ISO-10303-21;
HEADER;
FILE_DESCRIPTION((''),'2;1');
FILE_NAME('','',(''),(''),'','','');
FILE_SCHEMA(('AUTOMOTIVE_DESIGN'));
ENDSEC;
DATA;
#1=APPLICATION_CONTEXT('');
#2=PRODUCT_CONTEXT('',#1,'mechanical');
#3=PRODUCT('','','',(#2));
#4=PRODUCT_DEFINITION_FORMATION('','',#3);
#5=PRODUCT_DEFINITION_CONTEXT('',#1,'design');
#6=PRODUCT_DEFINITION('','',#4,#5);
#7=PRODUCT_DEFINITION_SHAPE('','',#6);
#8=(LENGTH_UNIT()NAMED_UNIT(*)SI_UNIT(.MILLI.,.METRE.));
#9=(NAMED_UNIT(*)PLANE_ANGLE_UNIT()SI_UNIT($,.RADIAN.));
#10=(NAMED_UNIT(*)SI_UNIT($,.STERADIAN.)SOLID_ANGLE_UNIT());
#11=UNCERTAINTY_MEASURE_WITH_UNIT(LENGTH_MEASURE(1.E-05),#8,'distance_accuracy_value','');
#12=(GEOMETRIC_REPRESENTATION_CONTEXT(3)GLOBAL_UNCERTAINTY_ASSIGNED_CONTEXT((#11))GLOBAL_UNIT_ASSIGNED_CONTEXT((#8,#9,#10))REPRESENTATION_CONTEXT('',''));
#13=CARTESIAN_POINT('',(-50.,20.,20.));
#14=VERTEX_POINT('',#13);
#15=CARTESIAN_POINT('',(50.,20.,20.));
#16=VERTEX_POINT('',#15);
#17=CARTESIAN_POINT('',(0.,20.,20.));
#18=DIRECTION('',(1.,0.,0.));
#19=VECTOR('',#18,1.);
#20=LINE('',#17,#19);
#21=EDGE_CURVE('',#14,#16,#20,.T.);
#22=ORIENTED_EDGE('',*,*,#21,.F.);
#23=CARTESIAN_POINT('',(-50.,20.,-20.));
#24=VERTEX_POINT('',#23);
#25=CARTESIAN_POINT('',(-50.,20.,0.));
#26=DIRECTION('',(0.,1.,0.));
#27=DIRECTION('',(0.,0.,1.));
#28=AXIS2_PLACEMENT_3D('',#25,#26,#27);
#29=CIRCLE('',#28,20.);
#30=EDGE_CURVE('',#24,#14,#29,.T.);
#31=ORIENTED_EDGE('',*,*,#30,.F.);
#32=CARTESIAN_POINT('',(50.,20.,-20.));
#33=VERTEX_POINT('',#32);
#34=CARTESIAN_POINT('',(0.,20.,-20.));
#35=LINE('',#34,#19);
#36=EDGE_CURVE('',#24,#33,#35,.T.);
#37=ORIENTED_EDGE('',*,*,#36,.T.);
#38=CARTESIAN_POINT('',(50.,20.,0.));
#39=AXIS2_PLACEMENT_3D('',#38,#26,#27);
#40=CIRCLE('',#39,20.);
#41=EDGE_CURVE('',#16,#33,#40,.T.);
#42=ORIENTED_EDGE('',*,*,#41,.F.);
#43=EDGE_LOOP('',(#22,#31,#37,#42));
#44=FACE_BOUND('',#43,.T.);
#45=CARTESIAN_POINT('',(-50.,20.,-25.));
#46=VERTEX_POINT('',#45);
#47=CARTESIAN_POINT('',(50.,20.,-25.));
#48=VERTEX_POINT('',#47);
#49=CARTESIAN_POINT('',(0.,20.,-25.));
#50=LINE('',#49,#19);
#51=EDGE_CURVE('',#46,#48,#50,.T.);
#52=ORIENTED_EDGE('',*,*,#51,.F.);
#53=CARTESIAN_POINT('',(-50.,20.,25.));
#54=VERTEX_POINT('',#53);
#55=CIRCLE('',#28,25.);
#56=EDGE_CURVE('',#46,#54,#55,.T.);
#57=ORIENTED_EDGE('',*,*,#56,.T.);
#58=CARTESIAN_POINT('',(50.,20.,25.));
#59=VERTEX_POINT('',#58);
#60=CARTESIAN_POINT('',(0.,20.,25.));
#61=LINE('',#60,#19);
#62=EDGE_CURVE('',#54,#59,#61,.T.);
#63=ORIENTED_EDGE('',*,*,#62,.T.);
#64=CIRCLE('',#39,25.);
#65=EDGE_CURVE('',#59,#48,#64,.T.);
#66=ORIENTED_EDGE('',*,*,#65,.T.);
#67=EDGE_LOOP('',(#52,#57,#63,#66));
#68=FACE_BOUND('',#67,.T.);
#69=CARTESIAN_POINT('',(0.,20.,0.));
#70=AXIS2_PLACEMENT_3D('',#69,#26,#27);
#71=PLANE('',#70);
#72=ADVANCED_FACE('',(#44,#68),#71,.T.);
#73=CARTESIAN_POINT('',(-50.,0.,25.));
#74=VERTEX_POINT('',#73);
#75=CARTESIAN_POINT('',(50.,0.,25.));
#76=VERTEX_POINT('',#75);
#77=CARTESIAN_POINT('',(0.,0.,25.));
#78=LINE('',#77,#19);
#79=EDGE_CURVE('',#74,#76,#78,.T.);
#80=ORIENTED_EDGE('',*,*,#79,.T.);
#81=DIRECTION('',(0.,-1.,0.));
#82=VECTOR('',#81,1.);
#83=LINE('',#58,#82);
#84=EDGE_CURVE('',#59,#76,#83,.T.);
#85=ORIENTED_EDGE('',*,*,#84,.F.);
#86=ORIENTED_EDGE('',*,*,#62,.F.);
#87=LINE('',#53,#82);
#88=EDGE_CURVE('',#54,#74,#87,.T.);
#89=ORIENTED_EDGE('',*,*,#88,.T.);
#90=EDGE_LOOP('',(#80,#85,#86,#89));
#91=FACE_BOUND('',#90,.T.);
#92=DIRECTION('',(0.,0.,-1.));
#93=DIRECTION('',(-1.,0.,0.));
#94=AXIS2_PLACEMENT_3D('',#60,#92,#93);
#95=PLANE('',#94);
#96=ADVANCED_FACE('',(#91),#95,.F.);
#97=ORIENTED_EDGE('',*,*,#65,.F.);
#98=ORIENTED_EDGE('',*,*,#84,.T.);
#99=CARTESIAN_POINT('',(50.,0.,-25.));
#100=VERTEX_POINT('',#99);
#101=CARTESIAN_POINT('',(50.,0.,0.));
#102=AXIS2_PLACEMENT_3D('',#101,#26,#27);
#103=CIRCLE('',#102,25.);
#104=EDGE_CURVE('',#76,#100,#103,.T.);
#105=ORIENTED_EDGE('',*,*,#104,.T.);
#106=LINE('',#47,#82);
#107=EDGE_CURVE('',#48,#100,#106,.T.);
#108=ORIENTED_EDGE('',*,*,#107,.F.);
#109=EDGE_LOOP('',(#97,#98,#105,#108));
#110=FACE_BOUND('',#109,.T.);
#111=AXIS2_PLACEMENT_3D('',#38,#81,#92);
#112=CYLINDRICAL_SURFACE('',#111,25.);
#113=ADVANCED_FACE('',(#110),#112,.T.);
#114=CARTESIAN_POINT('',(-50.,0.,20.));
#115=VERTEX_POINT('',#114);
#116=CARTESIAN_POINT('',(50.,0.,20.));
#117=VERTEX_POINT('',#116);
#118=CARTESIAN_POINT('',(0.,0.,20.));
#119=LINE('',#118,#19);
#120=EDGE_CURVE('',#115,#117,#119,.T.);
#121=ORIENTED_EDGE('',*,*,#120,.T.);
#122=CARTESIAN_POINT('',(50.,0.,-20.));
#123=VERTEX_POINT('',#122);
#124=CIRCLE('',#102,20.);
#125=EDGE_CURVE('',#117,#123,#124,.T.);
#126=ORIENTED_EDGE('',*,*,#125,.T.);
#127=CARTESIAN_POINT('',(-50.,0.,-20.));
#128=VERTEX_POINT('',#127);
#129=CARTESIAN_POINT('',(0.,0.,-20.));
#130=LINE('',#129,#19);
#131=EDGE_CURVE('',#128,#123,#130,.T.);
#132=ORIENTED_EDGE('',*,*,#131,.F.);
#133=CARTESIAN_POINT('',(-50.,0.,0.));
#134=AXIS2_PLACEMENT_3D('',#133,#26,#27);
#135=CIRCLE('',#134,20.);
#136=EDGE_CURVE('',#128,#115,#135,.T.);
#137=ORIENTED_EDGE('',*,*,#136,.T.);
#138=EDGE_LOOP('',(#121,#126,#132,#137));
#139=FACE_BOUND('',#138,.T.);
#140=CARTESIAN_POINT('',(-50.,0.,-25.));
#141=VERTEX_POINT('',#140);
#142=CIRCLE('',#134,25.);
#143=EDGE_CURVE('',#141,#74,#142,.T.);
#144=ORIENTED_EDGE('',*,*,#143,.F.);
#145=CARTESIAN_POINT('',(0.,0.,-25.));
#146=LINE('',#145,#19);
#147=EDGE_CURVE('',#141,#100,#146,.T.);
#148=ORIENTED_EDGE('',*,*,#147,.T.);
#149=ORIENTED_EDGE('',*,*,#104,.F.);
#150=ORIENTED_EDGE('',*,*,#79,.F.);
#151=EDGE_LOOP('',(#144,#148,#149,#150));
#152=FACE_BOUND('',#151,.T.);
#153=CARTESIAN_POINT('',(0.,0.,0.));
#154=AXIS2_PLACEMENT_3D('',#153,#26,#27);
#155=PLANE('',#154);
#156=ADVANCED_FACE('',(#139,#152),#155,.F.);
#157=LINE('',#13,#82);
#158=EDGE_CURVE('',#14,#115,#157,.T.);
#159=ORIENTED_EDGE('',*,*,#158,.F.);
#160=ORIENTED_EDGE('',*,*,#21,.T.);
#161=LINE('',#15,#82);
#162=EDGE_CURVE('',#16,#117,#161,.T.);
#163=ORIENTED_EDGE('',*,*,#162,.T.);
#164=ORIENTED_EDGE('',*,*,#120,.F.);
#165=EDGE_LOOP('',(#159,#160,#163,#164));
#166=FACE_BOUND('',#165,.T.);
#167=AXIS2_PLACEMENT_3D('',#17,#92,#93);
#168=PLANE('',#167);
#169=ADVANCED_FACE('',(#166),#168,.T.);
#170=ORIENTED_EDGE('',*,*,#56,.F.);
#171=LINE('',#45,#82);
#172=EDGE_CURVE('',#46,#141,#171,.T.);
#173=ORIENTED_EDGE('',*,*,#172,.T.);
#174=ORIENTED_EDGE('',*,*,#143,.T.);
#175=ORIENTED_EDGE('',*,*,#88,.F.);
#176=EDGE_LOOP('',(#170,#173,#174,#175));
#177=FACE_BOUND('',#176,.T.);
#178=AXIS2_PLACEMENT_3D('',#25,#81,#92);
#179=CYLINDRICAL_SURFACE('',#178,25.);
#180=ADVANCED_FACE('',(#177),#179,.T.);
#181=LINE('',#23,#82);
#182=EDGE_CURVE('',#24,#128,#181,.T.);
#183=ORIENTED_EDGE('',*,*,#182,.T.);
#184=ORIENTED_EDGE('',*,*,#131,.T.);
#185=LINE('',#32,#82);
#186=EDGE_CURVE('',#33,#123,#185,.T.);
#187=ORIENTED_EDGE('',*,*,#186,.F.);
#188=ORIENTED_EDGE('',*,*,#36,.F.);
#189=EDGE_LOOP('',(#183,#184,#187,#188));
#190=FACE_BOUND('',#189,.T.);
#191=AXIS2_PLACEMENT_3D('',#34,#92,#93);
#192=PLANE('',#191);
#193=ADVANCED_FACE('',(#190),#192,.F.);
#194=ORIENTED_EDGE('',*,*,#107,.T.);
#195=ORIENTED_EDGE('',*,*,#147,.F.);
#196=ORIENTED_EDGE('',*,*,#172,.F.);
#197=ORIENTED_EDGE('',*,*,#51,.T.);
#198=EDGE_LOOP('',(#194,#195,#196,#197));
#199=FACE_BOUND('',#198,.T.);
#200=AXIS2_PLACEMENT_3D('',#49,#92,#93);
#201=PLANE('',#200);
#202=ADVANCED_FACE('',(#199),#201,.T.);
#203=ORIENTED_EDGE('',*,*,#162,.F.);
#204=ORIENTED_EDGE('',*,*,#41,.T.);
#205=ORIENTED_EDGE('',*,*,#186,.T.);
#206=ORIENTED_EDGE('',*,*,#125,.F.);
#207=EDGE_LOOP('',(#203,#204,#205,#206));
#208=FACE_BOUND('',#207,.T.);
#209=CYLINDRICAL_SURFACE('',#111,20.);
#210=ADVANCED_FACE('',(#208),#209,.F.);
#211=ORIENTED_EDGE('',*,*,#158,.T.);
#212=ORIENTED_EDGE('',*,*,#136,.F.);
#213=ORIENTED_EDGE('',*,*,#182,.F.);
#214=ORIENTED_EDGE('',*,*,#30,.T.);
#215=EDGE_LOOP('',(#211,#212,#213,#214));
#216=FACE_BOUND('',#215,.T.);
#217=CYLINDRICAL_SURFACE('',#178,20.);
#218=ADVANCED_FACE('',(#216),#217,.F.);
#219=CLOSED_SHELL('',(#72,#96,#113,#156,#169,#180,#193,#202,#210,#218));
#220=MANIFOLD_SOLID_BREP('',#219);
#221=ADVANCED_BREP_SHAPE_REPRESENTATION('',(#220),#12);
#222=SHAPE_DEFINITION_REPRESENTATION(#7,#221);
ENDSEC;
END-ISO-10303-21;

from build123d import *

# Parameters (mm, degrees)
BOSS_EXTRUDE4_DEPTH = 20


with BuildPart() as part:
    # Sketch1 → Boss-Extrude4 (new body)
    with BuildSketch(Plane(origin=(0, 0, 0), x_dir=(1, 0, 0), z_dir=(0, 1, 0))):
        with BuildLine():
            Line((-50, -25), (50, -25))
            ThreePointArc((50, -25), (75, -3.4e-08), (50.000000068, 25))
            Line((50.000000068, 25), (-50, 25))
            ThreePointArc((-50, 25), (-75, 0), (-50, -25))
        make_face()
        with BuildLine():
            ThreePointArc((-50, -20), (-70, 0), (-50, 20))
            Line((-50, 20), (50, 20))
            ThreePointArc((50, 20), (70, 0), (50, -20))
            Line((50, -20), (-50, -20))
        make_face(mode=Mode.SUBTRACT)
    extrude(amount=BOSS_EXTRUDE4_DEPTH)


solid = part.part
